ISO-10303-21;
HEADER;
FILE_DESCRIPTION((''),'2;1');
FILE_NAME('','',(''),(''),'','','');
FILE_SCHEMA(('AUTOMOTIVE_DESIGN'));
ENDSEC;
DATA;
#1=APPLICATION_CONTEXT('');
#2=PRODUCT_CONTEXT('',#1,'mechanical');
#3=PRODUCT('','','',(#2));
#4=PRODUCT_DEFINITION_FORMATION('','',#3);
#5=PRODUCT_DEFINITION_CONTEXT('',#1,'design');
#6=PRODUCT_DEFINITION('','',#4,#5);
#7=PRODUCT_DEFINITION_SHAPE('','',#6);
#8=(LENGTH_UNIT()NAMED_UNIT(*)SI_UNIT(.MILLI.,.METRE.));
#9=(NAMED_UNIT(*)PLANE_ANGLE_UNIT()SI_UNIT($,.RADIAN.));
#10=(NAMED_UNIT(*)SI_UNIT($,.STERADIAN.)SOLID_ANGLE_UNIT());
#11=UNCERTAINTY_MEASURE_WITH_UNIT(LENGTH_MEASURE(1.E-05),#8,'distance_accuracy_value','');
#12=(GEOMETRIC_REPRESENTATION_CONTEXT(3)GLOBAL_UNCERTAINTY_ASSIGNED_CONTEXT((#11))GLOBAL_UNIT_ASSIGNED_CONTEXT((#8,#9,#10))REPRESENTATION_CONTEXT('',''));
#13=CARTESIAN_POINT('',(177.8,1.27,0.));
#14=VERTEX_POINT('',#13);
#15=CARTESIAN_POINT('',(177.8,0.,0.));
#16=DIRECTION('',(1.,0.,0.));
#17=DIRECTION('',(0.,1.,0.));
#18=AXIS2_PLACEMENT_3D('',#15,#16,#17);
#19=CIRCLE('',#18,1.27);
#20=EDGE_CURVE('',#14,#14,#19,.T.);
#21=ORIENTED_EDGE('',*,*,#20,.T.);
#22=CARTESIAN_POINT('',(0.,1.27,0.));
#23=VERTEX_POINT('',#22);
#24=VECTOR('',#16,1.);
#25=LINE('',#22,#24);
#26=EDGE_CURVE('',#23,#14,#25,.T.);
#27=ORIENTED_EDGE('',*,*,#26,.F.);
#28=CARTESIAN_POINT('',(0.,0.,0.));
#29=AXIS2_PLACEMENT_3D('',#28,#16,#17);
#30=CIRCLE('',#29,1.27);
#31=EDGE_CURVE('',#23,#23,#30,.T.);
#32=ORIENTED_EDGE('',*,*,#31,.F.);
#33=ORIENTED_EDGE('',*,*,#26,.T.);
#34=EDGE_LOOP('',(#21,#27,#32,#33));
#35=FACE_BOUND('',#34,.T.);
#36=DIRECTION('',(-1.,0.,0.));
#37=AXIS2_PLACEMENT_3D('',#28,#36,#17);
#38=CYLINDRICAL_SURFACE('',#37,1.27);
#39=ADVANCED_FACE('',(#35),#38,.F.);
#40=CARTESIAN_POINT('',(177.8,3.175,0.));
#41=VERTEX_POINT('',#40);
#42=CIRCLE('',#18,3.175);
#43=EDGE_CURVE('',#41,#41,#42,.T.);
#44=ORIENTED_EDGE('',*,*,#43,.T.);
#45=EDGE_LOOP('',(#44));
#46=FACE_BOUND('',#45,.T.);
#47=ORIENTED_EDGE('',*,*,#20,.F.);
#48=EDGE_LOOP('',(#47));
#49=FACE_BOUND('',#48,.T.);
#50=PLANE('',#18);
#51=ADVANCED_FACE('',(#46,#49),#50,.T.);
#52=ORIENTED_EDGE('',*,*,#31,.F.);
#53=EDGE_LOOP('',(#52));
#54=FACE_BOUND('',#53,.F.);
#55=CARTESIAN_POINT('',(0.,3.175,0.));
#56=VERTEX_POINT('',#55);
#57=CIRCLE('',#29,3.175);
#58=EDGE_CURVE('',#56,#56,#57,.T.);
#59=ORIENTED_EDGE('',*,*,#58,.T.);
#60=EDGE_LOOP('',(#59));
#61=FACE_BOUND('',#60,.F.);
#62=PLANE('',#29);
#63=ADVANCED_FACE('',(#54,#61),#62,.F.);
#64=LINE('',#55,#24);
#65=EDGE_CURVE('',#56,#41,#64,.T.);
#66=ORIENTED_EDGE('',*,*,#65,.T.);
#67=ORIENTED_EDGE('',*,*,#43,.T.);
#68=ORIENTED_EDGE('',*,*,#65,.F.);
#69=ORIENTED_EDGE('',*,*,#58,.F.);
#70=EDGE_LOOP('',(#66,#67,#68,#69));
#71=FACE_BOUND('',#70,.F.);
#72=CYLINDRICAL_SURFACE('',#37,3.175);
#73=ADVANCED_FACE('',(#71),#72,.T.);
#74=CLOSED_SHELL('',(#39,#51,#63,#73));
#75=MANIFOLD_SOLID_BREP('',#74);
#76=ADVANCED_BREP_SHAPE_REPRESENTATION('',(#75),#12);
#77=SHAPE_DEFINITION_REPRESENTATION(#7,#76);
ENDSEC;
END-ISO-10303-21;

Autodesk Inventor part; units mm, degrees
ref_plane "YZ Plane" through (0, 0, 0) normal (1, 0, 0) x (0, 1, 0)
ref_plane "XZ Plane" through (0, 0, 0) normal (0, 1, 0) x (-1, 0, 0)
ref_plane "XY Plane" through (0, 0, 0) normal (0, 0, 1) x (1, 0, 0)
sketch "Sketch3" plane through (0, 0, 0) normal (1, 0, 0) x (0, 1, 0)
  circle A0 centre (0, 0) radius 1.27
  circle A1 centre (0, 0) radius 3.175
  dimension "d10" = 6.35
  dimension "d11" = 2.54
extrude "Extrusion3" add sketch "Sketch3" along normal blind 177.8
equation "\"d10\" = cArmOutsideDiam"
equation "\"d11\" = cArmInsideDiam"
equation "\"d12\" = cArmLength"
equation "\"cArmInsideDiam\" = 2.54"
equation "\"cArmOutsideDiam\" = 6.35"
equation "\"cArmLength\" = 177.8"
properties part number "cAxelPVC1_2inchSchedule40"
